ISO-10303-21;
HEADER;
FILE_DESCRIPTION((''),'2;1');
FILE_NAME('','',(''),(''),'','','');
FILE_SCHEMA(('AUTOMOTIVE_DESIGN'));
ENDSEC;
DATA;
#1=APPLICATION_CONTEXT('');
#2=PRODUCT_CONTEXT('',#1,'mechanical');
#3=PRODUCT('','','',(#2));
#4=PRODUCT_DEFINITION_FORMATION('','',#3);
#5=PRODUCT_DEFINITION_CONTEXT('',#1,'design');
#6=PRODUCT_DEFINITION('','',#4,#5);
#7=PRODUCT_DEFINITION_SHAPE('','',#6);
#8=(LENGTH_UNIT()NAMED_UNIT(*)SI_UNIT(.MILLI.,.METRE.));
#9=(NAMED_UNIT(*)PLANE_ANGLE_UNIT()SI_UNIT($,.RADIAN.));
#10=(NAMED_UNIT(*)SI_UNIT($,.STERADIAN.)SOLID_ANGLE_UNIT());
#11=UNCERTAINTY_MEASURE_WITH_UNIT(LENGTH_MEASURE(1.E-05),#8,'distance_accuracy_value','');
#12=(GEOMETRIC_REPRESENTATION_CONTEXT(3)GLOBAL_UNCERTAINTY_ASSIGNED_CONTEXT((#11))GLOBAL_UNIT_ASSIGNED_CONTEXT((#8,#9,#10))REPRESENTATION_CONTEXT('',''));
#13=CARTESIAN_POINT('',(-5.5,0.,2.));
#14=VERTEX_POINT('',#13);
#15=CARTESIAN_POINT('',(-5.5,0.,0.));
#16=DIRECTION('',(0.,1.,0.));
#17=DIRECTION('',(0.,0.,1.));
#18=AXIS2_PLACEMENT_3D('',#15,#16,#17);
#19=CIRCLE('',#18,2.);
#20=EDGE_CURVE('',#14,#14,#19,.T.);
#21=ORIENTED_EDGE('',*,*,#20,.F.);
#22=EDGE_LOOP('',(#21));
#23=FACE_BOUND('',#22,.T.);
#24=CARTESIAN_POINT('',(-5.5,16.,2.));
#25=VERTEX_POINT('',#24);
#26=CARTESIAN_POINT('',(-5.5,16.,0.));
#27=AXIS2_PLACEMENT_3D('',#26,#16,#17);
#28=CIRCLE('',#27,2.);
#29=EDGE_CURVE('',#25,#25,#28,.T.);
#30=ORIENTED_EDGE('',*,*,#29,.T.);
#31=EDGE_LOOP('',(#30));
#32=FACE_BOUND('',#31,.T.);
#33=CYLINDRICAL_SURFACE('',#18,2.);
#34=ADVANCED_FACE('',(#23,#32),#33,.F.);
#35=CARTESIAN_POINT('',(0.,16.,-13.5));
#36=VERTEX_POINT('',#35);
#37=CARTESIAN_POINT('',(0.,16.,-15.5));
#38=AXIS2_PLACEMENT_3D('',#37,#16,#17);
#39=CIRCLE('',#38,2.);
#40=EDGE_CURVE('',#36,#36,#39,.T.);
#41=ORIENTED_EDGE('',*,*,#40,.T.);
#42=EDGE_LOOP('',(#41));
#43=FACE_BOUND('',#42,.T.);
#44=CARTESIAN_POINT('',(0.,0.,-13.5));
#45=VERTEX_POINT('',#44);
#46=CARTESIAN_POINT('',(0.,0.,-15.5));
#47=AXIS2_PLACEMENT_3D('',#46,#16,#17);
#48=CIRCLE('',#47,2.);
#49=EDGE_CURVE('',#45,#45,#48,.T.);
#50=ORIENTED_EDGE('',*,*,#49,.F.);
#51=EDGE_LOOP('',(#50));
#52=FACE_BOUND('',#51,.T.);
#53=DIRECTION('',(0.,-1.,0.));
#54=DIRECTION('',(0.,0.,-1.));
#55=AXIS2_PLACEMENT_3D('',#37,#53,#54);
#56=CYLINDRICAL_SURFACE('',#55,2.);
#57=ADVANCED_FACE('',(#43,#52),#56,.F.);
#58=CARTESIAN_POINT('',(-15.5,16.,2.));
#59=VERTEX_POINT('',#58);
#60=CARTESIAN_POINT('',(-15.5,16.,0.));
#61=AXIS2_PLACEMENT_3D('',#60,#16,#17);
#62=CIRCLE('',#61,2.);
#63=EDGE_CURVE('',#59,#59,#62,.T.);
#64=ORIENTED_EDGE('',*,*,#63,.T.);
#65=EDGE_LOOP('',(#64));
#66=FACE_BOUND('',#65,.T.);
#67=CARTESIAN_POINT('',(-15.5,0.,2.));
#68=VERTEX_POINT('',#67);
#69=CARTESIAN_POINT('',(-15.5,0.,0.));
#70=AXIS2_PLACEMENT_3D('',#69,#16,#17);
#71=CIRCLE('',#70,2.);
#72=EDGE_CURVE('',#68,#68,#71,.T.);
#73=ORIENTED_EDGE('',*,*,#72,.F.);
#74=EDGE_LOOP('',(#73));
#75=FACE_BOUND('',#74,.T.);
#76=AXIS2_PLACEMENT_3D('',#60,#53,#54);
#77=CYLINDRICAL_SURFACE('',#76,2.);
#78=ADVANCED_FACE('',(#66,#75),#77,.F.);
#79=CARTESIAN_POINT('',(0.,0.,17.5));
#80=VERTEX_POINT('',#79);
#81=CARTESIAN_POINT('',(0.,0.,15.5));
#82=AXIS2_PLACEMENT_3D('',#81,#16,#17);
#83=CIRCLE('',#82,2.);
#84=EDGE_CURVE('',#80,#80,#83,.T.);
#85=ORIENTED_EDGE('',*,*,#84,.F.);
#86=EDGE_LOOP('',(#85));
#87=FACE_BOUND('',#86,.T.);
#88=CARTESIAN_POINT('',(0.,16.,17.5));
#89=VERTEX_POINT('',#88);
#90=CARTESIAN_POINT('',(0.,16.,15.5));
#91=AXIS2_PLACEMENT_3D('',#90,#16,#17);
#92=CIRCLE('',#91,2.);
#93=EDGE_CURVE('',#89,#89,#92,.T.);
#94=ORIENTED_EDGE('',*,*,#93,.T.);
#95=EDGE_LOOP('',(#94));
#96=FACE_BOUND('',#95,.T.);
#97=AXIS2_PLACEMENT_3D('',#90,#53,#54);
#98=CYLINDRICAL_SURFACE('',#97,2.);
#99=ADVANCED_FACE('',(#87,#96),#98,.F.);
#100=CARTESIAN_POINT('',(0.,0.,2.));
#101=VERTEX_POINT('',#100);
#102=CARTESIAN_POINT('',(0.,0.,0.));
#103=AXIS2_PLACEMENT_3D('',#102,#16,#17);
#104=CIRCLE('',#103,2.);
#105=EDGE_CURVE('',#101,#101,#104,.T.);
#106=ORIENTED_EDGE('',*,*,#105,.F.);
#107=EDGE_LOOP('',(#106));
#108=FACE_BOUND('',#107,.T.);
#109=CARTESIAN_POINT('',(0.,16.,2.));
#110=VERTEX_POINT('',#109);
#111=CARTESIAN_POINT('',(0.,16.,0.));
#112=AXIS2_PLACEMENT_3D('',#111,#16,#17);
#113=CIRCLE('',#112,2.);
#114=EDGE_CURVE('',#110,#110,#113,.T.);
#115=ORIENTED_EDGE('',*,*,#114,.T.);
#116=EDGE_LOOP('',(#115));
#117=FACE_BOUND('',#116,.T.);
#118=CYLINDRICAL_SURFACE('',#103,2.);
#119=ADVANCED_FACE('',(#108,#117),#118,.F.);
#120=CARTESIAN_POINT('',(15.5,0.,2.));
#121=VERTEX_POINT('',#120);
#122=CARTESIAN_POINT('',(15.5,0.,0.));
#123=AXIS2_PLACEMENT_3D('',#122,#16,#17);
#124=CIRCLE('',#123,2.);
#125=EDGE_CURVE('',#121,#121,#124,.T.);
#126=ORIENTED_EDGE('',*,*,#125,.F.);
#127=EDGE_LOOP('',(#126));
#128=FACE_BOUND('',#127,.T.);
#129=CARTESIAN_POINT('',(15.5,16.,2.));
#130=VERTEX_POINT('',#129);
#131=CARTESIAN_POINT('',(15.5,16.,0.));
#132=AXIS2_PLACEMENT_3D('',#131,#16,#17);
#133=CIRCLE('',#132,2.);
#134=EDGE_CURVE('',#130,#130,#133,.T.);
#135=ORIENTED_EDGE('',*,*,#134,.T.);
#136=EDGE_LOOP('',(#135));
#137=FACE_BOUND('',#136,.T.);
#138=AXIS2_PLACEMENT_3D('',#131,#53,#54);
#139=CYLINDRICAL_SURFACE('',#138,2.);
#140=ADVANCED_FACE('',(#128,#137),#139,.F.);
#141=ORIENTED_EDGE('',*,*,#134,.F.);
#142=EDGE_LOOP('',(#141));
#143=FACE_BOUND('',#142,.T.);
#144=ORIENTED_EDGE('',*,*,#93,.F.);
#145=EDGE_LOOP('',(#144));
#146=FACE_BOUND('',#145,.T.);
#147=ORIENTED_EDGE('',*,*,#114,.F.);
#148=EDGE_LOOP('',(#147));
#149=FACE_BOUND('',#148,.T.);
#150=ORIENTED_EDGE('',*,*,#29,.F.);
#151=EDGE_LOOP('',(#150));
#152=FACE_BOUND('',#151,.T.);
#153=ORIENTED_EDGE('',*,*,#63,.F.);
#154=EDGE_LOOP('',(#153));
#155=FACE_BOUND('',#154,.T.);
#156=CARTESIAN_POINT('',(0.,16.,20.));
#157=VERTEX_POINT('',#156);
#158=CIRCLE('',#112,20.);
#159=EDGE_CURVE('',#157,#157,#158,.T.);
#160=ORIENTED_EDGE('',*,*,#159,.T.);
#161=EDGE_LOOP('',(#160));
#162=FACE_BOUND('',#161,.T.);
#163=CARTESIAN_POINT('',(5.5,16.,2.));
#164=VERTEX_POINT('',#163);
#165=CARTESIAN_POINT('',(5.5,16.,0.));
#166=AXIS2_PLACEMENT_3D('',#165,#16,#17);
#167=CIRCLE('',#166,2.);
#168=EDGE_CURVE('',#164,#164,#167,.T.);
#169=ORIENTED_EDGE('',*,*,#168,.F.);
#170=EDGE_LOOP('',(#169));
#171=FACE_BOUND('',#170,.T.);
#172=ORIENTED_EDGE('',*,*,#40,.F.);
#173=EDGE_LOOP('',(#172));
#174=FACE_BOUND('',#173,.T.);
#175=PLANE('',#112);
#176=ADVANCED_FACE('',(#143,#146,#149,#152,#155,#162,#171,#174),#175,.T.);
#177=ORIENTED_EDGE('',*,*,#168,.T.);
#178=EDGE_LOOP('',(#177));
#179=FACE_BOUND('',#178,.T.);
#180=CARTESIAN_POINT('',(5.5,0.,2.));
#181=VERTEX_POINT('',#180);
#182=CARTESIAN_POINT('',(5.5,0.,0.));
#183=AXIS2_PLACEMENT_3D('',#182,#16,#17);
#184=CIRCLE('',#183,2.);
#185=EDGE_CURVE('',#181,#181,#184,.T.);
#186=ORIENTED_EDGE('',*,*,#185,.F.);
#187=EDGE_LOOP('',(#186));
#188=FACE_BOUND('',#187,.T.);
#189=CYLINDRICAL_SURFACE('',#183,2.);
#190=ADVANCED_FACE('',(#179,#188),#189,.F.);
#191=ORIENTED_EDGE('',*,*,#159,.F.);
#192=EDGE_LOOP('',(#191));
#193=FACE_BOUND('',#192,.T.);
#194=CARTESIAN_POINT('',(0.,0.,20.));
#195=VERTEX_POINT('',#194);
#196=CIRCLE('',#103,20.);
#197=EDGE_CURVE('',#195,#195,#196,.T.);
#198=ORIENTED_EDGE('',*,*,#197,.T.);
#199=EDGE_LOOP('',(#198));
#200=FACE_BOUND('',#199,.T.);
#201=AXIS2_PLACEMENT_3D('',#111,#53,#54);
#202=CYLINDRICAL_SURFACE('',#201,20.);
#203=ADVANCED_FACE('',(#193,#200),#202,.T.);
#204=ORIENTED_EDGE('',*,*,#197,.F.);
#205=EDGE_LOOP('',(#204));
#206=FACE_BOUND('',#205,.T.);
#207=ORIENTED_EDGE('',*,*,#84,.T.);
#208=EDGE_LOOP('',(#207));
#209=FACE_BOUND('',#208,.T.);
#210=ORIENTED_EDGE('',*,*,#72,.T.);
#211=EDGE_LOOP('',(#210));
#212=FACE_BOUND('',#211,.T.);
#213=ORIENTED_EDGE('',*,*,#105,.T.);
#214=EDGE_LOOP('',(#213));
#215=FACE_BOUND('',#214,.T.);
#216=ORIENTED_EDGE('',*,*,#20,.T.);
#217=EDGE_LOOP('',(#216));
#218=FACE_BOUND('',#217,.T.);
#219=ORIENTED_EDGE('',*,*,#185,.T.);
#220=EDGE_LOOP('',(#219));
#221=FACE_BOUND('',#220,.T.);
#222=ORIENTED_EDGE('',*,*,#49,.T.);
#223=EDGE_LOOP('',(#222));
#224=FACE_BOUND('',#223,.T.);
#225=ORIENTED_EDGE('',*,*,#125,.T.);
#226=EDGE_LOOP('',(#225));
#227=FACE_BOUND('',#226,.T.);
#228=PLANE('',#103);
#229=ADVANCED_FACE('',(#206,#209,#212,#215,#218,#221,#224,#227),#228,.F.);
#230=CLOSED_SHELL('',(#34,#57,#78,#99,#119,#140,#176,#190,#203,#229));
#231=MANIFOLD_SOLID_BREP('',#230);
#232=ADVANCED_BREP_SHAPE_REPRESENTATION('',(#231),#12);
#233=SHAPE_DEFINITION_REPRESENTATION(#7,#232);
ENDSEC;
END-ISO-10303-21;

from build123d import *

# Parameters (mm, degrees)
SKETCH1_R           = 20
SKETCH1_R_2         = 2
BOSS_EXTRUDE1_DEPTH = 16
SKETCH2_R           = 2
CUT_EXTRUDE1_DEPTH  = 33.496153619


with BuildPart() as part:
    # Sketch1 → Boss-Extrude1 (new body)
    with BuildSketch(Plane(origin=(0, 0, 0), x_dir=(1, 0, 0), z_dir=(0, 1, 0))):
        with Locations(Location((0, 0, 0), (0, 0, 270))):
            Circle(SKETCH1_R)
        with Locations(Location((0, 15.5, 0), (0, 0, 270))):
            Circle(SKETCH1_R_2, mode=Mode.SUBTRACT)
        with Locations(Location((15.5, 0, 0), (0, 0, 270))):
            Circle(SKETCH1_R_2, mode=Mode.SUBTRACT)
        with Locations(Location((0, -15.5, 0), (0, 0, 270))):
            Circle(SKETCH1_R_2, mode=Mode.SUBTRACT)
        with Locations(Location((-15.5, 0, 0), (0, 0, 270))):
            Circle(SKETCH1_R_2, mode=Mode.SUBTRACT)
    extrude(amount=BOSS_EXTRUDE1_DEPTH)

    # Sketch2 → Cut-Extrude1 (cut, through all)
    with BuildSketch(Plane(origin=(0, 16, 0), x_dir=(1, 0, 0), z_dir=(0, 1, 0))):
        with Locations(Location((0, 0, 0), (0, 0, 270))):
            Circle(SKETCH2_R)
        with Locations(Location((5.5, 0, 0), (0, 0, 270))):
            Circle(SKETCH2_R)
        with Locations(Location((-5.5, 0, 0), (0, 0, 270))):
            Circle(SKETCH2_R)
    extrude(amount=-CUT_EXTRUDE1_DEPTH, mode=Mode.SUBTRACT)


solid = part.part
